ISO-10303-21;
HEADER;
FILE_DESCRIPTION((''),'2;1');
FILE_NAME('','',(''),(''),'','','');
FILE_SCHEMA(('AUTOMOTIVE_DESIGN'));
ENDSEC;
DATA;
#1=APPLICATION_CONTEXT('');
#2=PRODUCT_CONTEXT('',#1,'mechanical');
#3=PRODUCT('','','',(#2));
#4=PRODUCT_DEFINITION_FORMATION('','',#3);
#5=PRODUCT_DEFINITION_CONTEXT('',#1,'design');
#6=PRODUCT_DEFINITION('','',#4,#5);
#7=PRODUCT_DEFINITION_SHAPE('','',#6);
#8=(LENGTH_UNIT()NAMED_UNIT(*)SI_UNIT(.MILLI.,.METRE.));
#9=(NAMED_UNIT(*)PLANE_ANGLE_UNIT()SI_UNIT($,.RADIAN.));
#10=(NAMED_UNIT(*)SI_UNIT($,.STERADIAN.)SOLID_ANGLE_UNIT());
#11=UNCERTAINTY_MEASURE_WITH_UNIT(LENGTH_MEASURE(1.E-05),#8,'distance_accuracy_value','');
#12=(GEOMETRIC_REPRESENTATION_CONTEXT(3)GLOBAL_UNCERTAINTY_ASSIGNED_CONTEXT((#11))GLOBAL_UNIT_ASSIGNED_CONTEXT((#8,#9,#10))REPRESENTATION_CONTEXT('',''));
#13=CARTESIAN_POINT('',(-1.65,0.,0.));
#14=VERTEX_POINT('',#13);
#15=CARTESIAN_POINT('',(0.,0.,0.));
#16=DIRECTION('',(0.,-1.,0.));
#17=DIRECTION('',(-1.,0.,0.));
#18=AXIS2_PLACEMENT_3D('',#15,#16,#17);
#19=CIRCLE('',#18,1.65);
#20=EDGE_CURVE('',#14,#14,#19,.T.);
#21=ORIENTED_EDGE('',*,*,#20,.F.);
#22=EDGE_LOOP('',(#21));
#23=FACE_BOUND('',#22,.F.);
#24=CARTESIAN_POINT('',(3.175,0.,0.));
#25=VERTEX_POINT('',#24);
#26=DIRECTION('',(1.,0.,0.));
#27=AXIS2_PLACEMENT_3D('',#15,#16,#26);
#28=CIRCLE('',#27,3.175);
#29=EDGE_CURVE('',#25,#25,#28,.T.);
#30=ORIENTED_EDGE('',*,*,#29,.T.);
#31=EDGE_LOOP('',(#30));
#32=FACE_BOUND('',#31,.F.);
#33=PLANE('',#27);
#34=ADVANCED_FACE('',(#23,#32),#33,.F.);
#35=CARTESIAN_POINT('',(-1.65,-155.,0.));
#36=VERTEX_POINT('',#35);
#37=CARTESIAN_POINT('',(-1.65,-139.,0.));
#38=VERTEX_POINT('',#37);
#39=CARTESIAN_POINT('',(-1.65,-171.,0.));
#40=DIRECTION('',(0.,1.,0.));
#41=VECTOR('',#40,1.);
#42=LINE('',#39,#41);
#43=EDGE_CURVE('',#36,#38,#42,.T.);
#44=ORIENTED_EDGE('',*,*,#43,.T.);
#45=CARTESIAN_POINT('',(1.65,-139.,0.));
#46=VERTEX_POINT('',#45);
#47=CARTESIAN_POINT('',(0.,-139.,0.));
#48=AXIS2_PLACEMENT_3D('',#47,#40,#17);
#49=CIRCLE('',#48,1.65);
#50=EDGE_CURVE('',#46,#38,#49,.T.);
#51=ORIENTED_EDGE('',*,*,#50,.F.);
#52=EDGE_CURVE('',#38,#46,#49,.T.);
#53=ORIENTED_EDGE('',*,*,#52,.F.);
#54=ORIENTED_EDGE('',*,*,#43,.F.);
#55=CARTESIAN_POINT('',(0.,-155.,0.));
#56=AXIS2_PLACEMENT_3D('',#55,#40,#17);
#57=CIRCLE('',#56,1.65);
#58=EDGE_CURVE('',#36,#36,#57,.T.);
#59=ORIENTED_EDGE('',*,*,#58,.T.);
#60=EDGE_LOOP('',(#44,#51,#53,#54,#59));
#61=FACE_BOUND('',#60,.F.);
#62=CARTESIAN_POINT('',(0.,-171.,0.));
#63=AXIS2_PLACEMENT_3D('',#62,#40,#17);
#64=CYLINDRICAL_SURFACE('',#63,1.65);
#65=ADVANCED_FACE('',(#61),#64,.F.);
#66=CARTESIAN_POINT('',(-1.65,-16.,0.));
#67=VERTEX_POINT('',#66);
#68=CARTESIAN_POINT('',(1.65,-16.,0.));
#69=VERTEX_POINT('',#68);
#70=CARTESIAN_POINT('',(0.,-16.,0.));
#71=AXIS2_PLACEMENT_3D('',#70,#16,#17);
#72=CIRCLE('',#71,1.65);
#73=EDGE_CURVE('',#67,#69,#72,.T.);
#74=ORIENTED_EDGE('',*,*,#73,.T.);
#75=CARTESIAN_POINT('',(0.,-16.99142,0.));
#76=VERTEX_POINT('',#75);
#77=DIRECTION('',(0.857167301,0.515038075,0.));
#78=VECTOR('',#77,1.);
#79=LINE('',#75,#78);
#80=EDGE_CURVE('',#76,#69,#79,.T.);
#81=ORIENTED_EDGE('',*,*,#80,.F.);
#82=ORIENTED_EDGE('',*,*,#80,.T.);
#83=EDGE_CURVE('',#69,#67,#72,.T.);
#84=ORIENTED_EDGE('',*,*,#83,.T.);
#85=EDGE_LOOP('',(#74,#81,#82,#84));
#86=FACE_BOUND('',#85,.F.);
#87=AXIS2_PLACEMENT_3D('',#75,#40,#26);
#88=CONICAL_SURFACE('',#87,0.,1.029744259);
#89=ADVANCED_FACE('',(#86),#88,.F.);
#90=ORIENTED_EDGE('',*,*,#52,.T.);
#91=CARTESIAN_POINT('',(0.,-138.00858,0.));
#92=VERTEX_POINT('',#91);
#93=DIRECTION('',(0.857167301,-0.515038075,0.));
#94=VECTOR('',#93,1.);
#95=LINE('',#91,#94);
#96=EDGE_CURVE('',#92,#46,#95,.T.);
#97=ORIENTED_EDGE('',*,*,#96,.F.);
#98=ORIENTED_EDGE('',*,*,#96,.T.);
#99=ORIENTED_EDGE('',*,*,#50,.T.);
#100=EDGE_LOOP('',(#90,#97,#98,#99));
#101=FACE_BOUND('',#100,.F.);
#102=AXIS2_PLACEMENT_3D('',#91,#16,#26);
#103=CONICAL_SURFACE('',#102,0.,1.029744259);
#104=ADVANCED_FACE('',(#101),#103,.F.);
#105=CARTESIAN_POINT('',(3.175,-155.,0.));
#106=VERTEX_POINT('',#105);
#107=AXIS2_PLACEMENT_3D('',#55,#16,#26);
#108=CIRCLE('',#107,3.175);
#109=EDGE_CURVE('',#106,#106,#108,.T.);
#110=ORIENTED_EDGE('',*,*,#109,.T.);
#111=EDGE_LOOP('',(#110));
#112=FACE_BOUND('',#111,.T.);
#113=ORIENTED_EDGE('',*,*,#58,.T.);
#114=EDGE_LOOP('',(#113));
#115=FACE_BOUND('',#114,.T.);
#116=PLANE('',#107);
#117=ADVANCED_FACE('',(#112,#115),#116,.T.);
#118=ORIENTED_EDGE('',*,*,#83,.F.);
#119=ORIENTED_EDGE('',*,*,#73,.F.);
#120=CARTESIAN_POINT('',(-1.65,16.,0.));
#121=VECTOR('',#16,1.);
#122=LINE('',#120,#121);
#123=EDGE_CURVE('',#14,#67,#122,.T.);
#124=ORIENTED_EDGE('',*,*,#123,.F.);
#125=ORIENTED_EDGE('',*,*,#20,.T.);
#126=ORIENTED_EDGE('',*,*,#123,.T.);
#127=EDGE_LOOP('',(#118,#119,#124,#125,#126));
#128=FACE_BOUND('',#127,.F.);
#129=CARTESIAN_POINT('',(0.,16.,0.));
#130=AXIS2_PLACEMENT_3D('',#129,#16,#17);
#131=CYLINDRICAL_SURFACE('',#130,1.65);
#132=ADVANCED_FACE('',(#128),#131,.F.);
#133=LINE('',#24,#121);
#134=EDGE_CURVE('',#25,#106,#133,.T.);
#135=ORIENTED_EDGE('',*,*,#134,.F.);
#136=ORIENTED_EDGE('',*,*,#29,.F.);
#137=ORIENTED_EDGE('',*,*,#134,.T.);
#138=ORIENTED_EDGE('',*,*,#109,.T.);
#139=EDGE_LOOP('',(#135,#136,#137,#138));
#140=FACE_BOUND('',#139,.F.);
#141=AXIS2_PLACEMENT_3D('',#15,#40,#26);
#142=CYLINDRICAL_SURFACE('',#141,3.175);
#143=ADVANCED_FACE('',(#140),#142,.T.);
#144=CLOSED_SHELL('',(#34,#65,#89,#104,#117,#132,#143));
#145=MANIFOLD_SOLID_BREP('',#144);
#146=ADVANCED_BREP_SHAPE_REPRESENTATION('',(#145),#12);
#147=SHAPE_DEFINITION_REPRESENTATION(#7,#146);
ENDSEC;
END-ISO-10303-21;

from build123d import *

# Parameters (mm, degrees)
F0_R     = 3.175
F1_DEPTH = 155
F2_D     = 3.3
F2_DEPTH = 16
F2_TIP   = 0.9914200214
F4_D     = 3.3
F4_DEPTH = 16
F4_TIP   = 0.9914200214


with BuildPart() as f1:
    # F0 (on Front) → F1 (new body)
    with BuildSketch(Plane.XZ):
        Circle(F0_R)
    extrude(amount=F1_DEPTH)

    # F2
    with Locations(Plane(origin=(0, 0, 0), x_dir=(1, 0, 0), z_dir=(0, 1, 0))):
        with Locations((0, 0)):
            Hole(F2_D / 2, depth=F2_DEPTH)
            with Locations((0, 0, -(F2_DEPTH + F2_TIP / 2))):  # 118° drill point
                Cone(0, F2_D / 2, F2_TIP, mode=Mode.SUBTRACT)

    # F4
    with Locations(Plane.XZ.offset(155)):
        with Locations((0, 0)):
            Hole(F4_D / 2, depth=F4_DEPTH)
            with Locations((0, 0, -(F4_DEPTH + F4_TIP / 2))):  # 118° drill point
                Cone(0, F4_D / 2, F4_TIP, mode=Mode.SUBTRACT)


solid = f1.part
